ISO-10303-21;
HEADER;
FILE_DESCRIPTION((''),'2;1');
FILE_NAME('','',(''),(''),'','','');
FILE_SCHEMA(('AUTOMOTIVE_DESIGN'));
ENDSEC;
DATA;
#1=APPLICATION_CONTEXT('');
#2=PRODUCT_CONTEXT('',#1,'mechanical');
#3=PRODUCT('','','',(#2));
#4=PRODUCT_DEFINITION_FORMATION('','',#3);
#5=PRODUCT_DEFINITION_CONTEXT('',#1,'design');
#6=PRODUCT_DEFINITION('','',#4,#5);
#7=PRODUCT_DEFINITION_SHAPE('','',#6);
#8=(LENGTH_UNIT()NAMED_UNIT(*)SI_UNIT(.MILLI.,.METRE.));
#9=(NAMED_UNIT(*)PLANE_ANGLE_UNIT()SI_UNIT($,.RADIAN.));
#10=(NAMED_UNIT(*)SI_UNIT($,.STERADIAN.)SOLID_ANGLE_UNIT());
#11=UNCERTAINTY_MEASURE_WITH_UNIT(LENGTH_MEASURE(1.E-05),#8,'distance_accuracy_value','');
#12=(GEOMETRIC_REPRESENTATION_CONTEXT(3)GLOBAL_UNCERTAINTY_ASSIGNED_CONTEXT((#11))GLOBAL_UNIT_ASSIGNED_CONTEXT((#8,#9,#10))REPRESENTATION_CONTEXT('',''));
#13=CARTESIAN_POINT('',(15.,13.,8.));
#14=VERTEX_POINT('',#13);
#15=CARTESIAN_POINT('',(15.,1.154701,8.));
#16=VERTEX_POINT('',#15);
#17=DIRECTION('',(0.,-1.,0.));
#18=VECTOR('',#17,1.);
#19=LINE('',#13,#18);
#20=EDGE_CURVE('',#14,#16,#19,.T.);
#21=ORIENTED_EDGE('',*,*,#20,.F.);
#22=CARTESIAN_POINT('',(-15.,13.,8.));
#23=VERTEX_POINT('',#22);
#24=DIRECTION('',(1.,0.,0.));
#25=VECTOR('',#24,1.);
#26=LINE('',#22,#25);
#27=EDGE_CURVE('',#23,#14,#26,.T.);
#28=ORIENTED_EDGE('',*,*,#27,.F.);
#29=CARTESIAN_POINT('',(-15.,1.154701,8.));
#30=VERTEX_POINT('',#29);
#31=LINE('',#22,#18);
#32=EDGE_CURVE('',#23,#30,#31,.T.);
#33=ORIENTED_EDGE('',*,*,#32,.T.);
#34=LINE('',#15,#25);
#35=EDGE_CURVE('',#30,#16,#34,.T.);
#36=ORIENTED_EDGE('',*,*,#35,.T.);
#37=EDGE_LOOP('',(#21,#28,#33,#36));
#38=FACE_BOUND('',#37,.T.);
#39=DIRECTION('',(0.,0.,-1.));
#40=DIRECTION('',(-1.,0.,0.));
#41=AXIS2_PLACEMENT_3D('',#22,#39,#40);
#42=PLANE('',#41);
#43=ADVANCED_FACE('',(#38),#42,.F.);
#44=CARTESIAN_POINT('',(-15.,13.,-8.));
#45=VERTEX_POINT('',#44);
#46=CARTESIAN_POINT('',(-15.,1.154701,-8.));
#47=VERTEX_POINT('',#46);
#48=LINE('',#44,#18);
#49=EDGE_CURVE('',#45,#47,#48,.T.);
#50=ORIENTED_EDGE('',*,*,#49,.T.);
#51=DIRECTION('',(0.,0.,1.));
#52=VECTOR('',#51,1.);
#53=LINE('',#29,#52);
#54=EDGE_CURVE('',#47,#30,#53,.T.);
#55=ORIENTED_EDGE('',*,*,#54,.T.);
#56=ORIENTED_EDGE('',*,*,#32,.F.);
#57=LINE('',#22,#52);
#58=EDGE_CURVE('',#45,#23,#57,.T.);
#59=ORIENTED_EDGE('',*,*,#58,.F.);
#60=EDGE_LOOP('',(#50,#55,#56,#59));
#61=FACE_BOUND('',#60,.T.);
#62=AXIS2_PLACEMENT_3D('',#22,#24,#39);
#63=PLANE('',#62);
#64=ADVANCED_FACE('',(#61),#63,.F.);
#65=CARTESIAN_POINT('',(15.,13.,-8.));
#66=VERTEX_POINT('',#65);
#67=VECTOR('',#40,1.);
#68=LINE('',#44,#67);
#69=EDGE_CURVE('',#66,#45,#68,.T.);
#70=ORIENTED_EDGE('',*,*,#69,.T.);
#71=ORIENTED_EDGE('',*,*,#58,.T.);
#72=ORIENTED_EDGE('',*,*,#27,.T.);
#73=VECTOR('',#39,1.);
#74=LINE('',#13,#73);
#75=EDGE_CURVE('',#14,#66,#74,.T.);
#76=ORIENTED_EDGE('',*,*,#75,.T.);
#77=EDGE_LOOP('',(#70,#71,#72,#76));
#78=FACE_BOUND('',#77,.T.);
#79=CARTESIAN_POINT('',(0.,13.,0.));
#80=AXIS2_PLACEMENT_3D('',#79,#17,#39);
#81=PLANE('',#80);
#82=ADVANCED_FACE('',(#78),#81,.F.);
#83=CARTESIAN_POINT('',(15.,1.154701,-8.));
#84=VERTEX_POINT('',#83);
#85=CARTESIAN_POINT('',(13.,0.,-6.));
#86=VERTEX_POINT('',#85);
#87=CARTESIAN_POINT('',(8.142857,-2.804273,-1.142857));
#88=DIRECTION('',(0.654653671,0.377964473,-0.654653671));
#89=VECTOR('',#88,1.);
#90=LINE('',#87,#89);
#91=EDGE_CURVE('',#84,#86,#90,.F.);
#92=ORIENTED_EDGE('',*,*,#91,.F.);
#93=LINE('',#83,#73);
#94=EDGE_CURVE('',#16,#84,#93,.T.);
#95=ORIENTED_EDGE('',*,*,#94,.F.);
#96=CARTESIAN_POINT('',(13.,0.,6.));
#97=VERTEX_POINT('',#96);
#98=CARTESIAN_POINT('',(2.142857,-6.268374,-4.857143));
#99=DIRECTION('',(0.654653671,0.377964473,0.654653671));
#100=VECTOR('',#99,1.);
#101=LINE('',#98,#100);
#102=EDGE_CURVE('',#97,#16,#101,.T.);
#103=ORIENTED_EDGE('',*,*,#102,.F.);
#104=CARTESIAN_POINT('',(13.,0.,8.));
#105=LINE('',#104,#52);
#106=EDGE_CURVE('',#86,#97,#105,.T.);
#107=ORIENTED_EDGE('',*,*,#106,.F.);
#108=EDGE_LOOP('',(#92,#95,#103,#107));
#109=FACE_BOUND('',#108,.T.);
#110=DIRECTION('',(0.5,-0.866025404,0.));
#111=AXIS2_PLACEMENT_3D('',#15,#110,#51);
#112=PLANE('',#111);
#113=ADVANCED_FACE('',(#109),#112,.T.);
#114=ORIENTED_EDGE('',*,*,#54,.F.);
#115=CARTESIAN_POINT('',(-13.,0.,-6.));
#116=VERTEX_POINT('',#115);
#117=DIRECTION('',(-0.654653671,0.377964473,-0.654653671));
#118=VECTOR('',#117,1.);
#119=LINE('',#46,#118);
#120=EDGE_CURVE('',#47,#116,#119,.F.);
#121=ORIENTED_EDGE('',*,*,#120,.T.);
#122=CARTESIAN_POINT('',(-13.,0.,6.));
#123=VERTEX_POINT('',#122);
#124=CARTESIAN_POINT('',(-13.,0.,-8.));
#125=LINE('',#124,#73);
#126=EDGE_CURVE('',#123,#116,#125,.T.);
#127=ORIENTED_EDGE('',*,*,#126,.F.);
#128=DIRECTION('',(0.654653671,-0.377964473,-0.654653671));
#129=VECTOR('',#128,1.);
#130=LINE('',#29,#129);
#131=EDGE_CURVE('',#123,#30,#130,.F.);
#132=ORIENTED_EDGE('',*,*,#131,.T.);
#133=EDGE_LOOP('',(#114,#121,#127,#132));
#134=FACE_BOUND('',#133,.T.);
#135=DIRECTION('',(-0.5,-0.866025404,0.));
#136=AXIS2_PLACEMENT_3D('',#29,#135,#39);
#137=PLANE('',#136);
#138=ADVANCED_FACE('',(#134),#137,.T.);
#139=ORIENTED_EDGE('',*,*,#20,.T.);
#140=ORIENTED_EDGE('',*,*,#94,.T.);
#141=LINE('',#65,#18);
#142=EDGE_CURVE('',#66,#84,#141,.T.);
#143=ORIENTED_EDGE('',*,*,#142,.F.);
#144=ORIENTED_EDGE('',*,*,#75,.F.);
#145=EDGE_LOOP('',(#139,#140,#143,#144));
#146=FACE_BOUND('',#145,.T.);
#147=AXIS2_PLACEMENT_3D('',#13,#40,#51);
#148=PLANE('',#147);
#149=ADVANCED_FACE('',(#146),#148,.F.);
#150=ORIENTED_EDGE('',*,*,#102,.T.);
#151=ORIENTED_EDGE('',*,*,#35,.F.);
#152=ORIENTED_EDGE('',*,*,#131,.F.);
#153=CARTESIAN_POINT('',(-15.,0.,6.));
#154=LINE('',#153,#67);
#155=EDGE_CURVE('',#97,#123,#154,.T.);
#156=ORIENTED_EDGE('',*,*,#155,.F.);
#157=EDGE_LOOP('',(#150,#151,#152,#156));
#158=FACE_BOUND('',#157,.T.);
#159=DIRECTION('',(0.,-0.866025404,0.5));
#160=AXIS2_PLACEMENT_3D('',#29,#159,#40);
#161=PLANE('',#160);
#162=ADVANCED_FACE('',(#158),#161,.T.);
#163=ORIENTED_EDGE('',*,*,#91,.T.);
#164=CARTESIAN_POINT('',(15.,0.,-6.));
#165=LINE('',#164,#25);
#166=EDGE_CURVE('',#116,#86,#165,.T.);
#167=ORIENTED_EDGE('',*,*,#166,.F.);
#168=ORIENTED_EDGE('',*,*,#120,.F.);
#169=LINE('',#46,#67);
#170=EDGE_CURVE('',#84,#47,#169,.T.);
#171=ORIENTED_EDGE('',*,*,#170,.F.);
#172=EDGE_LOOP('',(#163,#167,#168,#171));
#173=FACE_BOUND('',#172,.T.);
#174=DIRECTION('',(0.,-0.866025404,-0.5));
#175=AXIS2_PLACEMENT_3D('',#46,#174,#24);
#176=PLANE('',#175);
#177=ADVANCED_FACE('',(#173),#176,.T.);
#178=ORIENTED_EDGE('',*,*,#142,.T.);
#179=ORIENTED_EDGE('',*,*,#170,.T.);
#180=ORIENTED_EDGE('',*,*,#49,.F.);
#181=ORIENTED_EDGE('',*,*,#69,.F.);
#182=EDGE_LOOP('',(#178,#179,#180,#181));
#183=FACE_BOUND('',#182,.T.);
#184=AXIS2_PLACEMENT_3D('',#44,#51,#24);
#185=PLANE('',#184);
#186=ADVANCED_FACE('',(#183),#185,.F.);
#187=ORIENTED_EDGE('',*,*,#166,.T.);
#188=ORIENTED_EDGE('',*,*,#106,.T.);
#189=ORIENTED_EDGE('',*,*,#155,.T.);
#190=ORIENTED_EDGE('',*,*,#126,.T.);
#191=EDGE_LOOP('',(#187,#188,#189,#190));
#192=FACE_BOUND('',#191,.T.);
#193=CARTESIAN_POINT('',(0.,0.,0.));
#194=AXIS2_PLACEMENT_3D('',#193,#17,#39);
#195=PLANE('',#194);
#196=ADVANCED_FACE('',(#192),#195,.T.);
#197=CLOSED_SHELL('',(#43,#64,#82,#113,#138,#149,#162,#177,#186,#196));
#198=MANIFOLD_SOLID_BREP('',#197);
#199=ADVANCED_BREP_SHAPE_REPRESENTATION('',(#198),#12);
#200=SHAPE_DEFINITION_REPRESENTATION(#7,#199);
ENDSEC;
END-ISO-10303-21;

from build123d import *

# Parameters (mm, degrees)
SKETCH_1_W      = 30
SKETCH_1_H      = 16
EXTRUDE_1_DEPTH = 13
CHAMFER_1_SIZE  = 2
CHAMFER_1_SIZE2 = 1.154700538


with BuildPart() as part:
    # Эскиз1 → Бобышка-Вытянуть1 (new body)
    with BuildSketch(Plane(origin=(0, 0, 0), x_dir=(1, 0, 0), z_dir=(0, 1, 0))):
        Rectangle(SKETCH_1_W, SKETCH_1_H)
    extrude(amount=EXTRUDE_1_DEPTH)

    # Фаска1
    chamfer_1_edges = [part.edges().sort_by_distance(p)[0] for p in [
        (0, 0, 8),
        (-15, 0, 0),
        (0, 0, -8),
        (15, 0, 0),
    ]]
    chamfer_1_side = [part.faces().sort_by_distance(p)[0] for p in [
        (0, 0, 0),
    ]]
    chamfer(chamfer_1_edges, length=CHAMFER_1_SIZE, length2=CHAMFER_1_SIZE2, reference=chamfer_1_side[0])


solid = part.part
